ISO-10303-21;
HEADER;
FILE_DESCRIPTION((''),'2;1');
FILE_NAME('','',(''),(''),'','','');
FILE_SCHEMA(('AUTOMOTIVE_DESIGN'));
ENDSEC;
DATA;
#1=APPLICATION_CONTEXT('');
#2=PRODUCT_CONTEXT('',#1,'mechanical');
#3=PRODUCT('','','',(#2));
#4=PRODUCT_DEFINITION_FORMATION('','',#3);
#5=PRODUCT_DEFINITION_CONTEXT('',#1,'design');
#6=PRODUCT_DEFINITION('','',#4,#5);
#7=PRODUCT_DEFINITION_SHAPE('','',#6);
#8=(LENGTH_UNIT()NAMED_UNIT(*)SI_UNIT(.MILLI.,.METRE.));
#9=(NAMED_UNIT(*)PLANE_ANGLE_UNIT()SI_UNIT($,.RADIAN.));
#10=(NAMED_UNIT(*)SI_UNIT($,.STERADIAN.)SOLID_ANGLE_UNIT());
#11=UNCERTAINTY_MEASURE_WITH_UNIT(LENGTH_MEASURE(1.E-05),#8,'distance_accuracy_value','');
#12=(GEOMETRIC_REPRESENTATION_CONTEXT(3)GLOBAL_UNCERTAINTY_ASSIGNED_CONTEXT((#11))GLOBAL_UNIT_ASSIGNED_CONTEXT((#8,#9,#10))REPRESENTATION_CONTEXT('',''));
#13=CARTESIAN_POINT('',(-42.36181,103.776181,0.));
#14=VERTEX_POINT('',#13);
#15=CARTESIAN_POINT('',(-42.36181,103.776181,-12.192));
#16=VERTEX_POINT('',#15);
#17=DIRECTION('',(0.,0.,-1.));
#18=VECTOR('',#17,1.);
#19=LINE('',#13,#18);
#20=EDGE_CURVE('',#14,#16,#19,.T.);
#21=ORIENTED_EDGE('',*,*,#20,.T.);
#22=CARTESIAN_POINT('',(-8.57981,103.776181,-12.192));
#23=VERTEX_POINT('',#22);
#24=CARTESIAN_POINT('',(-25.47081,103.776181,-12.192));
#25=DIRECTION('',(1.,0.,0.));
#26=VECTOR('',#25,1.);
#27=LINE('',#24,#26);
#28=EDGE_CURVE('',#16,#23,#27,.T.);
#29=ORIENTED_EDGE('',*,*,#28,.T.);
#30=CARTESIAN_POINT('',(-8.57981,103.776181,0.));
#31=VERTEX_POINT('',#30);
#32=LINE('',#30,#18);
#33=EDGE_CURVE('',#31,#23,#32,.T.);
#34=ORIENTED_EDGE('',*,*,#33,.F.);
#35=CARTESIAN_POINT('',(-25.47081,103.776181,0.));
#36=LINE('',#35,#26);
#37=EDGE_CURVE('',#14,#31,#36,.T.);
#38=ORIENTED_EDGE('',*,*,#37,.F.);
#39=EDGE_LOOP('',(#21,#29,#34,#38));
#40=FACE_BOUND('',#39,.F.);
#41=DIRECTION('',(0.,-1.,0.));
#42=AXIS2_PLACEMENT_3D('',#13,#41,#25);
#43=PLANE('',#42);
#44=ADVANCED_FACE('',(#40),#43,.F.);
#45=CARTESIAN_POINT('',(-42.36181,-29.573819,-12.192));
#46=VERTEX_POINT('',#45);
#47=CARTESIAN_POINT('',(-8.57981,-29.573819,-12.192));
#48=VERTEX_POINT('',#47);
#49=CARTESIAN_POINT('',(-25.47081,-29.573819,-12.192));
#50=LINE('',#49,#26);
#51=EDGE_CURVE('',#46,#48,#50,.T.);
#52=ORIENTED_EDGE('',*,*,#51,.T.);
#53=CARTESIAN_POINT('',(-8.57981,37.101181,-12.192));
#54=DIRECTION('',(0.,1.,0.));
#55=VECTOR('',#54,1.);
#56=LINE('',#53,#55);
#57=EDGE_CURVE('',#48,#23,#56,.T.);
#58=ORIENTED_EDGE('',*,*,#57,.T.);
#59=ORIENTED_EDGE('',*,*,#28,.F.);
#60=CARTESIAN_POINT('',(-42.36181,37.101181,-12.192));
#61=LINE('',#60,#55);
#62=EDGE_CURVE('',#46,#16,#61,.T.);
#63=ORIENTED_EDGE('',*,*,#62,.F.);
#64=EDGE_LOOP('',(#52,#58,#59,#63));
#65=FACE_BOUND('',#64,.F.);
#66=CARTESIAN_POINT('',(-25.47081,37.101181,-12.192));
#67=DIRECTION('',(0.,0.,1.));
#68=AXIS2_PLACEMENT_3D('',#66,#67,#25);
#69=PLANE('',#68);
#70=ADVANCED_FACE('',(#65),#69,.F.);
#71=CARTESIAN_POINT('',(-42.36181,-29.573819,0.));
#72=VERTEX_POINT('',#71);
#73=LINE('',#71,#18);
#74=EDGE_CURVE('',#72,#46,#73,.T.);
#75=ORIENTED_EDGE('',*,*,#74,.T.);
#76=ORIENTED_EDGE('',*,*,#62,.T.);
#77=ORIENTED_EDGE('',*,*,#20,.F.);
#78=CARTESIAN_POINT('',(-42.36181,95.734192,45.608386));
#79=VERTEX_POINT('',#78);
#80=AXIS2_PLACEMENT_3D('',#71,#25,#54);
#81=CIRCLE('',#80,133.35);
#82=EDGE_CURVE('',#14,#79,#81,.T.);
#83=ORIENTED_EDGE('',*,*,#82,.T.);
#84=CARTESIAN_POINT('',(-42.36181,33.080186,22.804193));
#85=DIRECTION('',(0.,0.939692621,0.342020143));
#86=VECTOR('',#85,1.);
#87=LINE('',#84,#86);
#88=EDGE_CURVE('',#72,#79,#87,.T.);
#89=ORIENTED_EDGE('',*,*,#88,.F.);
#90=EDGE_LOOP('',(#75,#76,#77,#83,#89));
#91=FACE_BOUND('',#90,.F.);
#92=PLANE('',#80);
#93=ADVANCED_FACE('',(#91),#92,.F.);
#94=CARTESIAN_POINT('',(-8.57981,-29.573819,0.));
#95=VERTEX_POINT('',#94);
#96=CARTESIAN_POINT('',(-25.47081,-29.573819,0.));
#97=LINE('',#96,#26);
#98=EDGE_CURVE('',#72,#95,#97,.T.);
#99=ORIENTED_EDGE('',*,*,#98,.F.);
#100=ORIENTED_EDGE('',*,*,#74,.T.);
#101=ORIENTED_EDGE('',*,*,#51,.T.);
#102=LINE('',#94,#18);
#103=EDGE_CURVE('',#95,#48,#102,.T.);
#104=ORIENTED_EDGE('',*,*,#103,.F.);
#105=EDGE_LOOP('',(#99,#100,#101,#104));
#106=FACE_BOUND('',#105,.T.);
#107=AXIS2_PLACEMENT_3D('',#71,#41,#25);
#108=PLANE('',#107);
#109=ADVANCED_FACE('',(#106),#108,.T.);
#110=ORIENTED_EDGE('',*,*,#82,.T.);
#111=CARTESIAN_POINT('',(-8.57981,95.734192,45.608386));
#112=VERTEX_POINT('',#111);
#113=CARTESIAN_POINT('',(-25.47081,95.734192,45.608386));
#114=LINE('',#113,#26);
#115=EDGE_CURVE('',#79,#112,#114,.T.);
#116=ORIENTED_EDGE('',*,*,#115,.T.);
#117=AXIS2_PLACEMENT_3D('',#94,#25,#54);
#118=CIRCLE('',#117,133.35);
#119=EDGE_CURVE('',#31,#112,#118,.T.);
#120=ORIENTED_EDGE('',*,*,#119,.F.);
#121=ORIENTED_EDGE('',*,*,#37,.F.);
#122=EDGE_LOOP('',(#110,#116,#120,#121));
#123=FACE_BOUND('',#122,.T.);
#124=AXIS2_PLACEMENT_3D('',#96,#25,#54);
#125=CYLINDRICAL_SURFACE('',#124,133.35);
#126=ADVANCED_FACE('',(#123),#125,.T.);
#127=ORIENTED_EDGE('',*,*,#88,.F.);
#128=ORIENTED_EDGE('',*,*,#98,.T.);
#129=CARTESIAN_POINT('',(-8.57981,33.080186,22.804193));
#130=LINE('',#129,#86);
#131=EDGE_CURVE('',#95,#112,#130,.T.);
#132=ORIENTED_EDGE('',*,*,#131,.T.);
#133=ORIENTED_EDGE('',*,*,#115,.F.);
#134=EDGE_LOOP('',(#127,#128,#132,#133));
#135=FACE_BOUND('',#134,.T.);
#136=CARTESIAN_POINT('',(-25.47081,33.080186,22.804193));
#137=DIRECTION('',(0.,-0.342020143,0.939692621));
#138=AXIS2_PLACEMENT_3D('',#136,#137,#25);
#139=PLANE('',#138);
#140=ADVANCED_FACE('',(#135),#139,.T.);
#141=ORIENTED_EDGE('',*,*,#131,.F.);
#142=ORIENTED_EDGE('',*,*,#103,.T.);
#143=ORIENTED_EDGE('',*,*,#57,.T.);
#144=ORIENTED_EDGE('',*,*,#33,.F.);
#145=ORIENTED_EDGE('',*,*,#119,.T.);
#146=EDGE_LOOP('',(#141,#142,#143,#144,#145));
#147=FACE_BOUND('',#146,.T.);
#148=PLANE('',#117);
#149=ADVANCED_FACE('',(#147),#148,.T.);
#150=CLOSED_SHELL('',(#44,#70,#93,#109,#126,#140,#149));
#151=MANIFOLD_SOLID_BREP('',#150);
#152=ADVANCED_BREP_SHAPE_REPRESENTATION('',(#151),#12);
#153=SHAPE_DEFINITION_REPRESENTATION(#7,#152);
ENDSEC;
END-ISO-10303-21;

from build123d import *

# Parameters (mm, degrees)
F0_W     = 33.782
F0_H     = 133.35
F1_ANGLE = 20
F2_DEPTH = 12.192


with BuildPart() as f1:
    # F0 (on Top) → F1 (revolve)
    with BuildSketch(Plane.XY):
        with Locations((-25.47081, 37.101181)):
            Rectangle(F0_W, F0_H)
    revolve(axis=Axis((-25.47081, -29.573819, 0), (1, 0, 0)), revolution_arc=F1_ANGLE)

    # F0 (on Top) → F2 (join)
    with BuildSketch(Plane.XY):
        with Locations((-25.47081, 37.101181)):
            Rectangle(F0_W, F0_H)
    extrude(amount=-F2_DEPTH)


solid = f1.part
